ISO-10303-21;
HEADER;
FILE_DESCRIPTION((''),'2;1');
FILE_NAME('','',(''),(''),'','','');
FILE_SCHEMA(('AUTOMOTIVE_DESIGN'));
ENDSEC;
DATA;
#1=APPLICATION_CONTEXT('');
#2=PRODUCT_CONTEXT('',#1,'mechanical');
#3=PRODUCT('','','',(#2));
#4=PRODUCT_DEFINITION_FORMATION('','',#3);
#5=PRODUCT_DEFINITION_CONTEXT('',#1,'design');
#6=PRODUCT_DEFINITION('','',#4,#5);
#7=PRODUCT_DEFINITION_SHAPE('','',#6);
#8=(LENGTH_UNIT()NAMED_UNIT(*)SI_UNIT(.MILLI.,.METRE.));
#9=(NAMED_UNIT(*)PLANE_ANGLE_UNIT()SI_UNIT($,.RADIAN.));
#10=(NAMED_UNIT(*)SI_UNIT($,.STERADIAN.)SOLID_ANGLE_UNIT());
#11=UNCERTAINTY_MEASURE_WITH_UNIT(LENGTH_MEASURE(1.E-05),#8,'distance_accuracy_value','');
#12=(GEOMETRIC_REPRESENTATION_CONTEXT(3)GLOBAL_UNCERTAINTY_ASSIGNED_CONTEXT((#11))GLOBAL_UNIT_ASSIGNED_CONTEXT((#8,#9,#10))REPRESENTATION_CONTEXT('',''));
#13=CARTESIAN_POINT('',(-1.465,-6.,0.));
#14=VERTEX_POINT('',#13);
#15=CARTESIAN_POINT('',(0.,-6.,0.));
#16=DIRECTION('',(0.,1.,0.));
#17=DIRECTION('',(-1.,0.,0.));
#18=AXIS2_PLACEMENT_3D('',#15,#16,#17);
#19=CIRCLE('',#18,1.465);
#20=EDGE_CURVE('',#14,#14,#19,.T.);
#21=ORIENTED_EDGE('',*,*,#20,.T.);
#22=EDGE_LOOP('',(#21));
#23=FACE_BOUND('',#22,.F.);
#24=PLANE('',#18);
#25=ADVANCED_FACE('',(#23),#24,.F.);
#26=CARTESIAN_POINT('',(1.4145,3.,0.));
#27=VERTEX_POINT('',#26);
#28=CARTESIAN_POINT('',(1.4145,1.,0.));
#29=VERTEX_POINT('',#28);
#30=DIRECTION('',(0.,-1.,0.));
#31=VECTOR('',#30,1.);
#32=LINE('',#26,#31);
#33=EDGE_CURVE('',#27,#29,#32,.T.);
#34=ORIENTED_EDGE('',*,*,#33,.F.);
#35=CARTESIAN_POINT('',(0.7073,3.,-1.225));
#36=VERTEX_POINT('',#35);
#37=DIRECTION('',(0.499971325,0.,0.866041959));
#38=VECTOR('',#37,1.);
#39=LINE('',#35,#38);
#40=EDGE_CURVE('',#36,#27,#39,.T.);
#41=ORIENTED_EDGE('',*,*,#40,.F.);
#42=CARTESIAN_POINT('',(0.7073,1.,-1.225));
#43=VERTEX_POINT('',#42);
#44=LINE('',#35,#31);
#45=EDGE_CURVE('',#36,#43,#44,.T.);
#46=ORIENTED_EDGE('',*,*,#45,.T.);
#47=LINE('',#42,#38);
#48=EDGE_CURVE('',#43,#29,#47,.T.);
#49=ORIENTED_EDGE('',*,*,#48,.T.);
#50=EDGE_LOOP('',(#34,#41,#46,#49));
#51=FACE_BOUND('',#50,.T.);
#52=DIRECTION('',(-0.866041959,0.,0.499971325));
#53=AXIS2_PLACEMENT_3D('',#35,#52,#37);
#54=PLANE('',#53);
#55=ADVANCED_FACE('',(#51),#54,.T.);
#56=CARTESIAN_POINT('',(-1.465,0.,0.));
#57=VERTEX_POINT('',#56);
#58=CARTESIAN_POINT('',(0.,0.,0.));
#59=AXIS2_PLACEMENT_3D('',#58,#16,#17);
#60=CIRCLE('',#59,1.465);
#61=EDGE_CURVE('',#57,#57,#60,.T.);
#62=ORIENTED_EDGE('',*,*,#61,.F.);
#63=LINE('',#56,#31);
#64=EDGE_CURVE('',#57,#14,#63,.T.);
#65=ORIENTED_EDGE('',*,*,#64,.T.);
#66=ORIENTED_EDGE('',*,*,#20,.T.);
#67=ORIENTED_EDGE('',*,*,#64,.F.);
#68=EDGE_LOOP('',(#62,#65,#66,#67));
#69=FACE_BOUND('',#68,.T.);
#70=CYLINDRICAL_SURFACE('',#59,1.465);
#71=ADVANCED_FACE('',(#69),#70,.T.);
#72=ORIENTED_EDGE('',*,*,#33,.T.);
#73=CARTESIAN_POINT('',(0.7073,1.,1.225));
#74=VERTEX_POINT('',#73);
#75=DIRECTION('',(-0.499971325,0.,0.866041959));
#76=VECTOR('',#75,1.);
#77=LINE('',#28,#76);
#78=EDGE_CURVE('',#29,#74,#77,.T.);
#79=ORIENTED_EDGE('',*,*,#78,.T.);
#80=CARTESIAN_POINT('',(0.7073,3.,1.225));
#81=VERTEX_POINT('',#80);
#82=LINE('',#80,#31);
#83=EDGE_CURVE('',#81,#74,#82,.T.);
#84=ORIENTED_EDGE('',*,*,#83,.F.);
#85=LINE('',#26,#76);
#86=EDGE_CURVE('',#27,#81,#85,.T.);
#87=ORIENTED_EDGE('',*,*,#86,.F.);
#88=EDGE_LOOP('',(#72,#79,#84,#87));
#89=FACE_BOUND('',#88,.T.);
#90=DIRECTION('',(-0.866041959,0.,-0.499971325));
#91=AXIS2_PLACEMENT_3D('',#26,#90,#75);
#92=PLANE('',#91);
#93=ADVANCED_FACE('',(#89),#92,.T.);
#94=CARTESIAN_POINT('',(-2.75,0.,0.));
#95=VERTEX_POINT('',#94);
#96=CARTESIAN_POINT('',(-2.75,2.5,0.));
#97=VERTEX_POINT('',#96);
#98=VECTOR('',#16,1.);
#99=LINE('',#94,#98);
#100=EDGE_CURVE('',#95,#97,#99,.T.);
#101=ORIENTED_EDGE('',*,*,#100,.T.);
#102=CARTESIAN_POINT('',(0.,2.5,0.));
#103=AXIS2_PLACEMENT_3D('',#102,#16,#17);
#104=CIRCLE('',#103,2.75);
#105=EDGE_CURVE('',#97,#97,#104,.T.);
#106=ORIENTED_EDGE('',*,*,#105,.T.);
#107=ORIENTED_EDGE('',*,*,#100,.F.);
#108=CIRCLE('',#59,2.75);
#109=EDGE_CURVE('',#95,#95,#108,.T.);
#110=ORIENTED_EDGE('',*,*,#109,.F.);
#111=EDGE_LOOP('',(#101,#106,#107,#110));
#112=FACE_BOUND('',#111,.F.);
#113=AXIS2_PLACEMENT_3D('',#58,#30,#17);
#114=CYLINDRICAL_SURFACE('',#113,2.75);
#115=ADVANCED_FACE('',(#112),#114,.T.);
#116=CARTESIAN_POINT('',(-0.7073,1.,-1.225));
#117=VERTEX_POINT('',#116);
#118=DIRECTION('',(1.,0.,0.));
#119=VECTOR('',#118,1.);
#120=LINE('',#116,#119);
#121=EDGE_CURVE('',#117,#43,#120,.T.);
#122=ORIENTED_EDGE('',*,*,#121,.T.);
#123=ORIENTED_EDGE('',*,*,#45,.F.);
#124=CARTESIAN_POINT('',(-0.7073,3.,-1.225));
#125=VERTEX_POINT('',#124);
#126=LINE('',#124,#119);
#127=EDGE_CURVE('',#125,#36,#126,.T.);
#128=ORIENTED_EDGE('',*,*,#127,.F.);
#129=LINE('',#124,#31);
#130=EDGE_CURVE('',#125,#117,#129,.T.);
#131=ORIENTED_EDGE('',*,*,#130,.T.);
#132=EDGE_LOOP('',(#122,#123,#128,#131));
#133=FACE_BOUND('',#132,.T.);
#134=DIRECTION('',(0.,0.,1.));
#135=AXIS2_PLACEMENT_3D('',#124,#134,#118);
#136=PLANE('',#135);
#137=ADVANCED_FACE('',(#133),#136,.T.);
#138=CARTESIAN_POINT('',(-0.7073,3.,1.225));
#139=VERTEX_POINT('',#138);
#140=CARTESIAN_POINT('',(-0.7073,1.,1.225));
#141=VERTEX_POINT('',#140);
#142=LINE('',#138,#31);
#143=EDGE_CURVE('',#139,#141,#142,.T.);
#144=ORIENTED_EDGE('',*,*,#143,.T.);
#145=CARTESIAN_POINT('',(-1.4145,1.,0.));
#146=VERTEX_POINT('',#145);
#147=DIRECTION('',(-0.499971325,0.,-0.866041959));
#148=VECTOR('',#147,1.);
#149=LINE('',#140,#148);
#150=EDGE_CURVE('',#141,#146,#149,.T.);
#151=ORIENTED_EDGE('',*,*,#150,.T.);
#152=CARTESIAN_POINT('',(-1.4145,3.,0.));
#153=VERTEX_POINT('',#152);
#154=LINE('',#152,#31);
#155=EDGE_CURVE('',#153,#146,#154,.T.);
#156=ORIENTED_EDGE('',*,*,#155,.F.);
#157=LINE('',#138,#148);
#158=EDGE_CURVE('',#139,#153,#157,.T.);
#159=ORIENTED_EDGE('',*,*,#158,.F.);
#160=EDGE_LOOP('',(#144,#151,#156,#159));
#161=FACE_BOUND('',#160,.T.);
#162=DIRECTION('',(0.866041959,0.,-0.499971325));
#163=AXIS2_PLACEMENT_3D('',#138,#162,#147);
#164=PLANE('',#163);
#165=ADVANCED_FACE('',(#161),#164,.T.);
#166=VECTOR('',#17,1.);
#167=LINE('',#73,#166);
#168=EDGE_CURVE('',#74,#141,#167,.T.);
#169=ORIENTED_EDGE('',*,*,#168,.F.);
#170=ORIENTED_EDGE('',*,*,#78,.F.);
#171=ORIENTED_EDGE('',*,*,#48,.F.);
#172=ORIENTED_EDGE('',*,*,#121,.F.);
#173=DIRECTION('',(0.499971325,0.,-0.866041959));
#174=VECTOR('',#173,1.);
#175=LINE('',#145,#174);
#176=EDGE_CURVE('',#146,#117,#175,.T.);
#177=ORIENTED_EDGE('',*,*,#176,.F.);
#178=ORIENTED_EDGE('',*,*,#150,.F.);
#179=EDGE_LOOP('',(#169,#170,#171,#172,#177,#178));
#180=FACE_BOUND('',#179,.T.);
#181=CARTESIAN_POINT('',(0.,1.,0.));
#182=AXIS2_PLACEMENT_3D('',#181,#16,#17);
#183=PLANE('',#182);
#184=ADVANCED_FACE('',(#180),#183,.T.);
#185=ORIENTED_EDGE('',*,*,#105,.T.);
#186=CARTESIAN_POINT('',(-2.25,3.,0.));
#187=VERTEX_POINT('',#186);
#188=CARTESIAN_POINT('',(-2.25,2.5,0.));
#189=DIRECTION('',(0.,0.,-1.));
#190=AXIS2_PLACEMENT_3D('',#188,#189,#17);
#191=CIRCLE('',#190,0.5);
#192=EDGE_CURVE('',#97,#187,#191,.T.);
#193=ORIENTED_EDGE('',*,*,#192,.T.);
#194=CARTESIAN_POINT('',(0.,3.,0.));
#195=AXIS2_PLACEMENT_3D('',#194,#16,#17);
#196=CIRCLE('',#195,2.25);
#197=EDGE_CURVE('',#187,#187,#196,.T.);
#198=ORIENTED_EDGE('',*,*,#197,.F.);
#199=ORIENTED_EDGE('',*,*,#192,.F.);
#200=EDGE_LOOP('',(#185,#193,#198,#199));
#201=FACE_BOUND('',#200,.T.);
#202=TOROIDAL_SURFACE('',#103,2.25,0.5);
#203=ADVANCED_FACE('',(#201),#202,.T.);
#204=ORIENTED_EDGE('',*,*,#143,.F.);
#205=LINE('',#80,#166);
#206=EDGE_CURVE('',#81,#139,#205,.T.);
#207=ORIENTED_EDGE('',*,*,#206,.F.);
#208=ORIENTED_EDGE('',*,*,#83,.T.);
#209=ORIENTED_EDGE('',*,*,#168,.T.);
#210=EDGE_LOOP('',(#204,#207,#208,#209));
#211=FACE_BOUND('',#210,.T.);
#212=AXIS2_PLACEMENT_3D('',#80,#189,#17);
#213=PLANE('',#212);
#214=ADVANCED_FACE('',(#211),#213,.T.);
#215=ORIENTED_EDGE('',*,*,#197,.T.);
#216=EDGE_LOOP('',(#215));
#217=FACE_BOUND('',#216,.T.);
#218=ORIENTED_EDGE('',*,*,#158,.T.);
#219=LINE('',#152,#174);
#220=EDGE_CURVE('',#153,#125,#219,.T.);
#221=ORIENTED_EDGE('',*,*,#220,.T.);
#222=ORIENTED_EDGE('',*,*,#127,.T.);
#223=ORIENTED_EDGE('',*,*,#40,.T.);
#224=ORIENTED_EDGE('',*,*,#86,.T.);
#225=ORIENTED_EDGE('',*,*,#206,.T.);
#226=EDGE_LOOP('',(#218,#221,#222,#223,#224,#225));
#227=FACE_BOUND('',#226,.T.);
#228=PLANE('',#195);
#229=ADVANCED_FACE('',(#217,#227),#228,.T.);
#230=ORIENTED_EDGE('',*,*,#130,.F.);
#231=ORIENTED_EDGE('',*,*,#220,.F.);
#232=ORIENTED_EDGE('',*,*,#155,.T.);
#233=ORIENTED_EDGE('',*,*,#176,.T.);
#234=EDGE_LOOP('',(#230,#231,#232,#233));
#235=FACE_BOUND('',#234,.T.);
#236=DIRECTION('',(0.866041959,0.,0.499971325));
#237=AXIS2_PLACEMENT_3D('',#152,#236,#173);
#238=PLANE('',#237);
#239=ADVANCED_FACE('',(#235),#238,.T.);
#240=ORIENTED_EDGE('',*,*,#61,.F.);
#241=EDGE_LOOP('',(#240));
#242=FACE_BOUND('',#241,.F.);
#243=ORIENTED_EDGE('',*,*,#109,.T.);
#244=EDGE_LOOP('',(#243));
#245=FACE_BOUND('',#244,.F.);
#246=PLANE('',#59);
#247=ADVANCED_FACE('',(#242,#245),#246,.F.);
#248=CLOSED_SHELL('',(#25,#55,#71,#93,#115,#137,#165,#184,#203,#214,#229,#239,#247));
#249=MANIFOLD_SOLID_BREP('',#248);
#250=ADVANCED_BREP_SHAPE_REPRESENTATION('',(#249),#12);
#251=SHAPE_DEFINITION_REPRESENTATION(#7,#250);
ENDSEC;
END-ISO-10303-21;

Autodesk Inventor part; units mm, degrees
ref_plane "YZ Plane" through (0, 0, 0) normal (1, 0, 0) x (0, 1, 0)
ref_plane "XZ Plane" through (0, 0, 0) normal (0, 1, 0) x (-1, 0, 0)
ref_plane "XY Plane" through (0, 0, 0) normal (0, 0, 1) x (1, 0, 0)
sketch "Sketch1" plane through (0, 0, 0) normal (0, 1, 0) x (-1, 0, 0)
  circle A0 centre (0, 0) radius 1.465
  circle A1 centre (0, 0) radius 2.75
  line L0 (0.7073, -1.225) -> (-0.7073, -1.225)
  line L1 (-0.7073, -1.225) -> (-1.4145, 0)
  line L2 (-1.4145, 0) -> (-0.7073, 1.225)
  line L3 (-0.7073, 1.225) -> (0.7073, 1.225)
  line L4 (0.7073, 1.225) -> (1.4145, 0)
  line L5 (1.4145, 0) -> (0.7073, -1.225)
  dimension "d0" = 2.93
  dimension "d1" = 5.5
  dimension "d8" = 2.45
extrude "Extrusion1" add sketch "Sketch1" along normal blind 3 contours A0 | A1 | L0 L1 L2 L3 L4 L5
extrude "Extrusion2" add sketch "Sketch1" against normal blind 6 contours A0 | L0 L1 L2 L3 L4 L5
extrude "Extrusion3" cut sketch "Sketch1" against normal blind 2 from surface at 3 contours L0 L1 L2 L3 L4 L5
fillet "Fillet1" radius 0.5 1 edges at (2.75, 3, 0)
thread "Thread2" size "M3x0.5" class "6g" standard "ANSI Metric M Profile" full length
equation "\"d4\" = length"
equation "\"length\" = 6"
properties part number "M3x16"
